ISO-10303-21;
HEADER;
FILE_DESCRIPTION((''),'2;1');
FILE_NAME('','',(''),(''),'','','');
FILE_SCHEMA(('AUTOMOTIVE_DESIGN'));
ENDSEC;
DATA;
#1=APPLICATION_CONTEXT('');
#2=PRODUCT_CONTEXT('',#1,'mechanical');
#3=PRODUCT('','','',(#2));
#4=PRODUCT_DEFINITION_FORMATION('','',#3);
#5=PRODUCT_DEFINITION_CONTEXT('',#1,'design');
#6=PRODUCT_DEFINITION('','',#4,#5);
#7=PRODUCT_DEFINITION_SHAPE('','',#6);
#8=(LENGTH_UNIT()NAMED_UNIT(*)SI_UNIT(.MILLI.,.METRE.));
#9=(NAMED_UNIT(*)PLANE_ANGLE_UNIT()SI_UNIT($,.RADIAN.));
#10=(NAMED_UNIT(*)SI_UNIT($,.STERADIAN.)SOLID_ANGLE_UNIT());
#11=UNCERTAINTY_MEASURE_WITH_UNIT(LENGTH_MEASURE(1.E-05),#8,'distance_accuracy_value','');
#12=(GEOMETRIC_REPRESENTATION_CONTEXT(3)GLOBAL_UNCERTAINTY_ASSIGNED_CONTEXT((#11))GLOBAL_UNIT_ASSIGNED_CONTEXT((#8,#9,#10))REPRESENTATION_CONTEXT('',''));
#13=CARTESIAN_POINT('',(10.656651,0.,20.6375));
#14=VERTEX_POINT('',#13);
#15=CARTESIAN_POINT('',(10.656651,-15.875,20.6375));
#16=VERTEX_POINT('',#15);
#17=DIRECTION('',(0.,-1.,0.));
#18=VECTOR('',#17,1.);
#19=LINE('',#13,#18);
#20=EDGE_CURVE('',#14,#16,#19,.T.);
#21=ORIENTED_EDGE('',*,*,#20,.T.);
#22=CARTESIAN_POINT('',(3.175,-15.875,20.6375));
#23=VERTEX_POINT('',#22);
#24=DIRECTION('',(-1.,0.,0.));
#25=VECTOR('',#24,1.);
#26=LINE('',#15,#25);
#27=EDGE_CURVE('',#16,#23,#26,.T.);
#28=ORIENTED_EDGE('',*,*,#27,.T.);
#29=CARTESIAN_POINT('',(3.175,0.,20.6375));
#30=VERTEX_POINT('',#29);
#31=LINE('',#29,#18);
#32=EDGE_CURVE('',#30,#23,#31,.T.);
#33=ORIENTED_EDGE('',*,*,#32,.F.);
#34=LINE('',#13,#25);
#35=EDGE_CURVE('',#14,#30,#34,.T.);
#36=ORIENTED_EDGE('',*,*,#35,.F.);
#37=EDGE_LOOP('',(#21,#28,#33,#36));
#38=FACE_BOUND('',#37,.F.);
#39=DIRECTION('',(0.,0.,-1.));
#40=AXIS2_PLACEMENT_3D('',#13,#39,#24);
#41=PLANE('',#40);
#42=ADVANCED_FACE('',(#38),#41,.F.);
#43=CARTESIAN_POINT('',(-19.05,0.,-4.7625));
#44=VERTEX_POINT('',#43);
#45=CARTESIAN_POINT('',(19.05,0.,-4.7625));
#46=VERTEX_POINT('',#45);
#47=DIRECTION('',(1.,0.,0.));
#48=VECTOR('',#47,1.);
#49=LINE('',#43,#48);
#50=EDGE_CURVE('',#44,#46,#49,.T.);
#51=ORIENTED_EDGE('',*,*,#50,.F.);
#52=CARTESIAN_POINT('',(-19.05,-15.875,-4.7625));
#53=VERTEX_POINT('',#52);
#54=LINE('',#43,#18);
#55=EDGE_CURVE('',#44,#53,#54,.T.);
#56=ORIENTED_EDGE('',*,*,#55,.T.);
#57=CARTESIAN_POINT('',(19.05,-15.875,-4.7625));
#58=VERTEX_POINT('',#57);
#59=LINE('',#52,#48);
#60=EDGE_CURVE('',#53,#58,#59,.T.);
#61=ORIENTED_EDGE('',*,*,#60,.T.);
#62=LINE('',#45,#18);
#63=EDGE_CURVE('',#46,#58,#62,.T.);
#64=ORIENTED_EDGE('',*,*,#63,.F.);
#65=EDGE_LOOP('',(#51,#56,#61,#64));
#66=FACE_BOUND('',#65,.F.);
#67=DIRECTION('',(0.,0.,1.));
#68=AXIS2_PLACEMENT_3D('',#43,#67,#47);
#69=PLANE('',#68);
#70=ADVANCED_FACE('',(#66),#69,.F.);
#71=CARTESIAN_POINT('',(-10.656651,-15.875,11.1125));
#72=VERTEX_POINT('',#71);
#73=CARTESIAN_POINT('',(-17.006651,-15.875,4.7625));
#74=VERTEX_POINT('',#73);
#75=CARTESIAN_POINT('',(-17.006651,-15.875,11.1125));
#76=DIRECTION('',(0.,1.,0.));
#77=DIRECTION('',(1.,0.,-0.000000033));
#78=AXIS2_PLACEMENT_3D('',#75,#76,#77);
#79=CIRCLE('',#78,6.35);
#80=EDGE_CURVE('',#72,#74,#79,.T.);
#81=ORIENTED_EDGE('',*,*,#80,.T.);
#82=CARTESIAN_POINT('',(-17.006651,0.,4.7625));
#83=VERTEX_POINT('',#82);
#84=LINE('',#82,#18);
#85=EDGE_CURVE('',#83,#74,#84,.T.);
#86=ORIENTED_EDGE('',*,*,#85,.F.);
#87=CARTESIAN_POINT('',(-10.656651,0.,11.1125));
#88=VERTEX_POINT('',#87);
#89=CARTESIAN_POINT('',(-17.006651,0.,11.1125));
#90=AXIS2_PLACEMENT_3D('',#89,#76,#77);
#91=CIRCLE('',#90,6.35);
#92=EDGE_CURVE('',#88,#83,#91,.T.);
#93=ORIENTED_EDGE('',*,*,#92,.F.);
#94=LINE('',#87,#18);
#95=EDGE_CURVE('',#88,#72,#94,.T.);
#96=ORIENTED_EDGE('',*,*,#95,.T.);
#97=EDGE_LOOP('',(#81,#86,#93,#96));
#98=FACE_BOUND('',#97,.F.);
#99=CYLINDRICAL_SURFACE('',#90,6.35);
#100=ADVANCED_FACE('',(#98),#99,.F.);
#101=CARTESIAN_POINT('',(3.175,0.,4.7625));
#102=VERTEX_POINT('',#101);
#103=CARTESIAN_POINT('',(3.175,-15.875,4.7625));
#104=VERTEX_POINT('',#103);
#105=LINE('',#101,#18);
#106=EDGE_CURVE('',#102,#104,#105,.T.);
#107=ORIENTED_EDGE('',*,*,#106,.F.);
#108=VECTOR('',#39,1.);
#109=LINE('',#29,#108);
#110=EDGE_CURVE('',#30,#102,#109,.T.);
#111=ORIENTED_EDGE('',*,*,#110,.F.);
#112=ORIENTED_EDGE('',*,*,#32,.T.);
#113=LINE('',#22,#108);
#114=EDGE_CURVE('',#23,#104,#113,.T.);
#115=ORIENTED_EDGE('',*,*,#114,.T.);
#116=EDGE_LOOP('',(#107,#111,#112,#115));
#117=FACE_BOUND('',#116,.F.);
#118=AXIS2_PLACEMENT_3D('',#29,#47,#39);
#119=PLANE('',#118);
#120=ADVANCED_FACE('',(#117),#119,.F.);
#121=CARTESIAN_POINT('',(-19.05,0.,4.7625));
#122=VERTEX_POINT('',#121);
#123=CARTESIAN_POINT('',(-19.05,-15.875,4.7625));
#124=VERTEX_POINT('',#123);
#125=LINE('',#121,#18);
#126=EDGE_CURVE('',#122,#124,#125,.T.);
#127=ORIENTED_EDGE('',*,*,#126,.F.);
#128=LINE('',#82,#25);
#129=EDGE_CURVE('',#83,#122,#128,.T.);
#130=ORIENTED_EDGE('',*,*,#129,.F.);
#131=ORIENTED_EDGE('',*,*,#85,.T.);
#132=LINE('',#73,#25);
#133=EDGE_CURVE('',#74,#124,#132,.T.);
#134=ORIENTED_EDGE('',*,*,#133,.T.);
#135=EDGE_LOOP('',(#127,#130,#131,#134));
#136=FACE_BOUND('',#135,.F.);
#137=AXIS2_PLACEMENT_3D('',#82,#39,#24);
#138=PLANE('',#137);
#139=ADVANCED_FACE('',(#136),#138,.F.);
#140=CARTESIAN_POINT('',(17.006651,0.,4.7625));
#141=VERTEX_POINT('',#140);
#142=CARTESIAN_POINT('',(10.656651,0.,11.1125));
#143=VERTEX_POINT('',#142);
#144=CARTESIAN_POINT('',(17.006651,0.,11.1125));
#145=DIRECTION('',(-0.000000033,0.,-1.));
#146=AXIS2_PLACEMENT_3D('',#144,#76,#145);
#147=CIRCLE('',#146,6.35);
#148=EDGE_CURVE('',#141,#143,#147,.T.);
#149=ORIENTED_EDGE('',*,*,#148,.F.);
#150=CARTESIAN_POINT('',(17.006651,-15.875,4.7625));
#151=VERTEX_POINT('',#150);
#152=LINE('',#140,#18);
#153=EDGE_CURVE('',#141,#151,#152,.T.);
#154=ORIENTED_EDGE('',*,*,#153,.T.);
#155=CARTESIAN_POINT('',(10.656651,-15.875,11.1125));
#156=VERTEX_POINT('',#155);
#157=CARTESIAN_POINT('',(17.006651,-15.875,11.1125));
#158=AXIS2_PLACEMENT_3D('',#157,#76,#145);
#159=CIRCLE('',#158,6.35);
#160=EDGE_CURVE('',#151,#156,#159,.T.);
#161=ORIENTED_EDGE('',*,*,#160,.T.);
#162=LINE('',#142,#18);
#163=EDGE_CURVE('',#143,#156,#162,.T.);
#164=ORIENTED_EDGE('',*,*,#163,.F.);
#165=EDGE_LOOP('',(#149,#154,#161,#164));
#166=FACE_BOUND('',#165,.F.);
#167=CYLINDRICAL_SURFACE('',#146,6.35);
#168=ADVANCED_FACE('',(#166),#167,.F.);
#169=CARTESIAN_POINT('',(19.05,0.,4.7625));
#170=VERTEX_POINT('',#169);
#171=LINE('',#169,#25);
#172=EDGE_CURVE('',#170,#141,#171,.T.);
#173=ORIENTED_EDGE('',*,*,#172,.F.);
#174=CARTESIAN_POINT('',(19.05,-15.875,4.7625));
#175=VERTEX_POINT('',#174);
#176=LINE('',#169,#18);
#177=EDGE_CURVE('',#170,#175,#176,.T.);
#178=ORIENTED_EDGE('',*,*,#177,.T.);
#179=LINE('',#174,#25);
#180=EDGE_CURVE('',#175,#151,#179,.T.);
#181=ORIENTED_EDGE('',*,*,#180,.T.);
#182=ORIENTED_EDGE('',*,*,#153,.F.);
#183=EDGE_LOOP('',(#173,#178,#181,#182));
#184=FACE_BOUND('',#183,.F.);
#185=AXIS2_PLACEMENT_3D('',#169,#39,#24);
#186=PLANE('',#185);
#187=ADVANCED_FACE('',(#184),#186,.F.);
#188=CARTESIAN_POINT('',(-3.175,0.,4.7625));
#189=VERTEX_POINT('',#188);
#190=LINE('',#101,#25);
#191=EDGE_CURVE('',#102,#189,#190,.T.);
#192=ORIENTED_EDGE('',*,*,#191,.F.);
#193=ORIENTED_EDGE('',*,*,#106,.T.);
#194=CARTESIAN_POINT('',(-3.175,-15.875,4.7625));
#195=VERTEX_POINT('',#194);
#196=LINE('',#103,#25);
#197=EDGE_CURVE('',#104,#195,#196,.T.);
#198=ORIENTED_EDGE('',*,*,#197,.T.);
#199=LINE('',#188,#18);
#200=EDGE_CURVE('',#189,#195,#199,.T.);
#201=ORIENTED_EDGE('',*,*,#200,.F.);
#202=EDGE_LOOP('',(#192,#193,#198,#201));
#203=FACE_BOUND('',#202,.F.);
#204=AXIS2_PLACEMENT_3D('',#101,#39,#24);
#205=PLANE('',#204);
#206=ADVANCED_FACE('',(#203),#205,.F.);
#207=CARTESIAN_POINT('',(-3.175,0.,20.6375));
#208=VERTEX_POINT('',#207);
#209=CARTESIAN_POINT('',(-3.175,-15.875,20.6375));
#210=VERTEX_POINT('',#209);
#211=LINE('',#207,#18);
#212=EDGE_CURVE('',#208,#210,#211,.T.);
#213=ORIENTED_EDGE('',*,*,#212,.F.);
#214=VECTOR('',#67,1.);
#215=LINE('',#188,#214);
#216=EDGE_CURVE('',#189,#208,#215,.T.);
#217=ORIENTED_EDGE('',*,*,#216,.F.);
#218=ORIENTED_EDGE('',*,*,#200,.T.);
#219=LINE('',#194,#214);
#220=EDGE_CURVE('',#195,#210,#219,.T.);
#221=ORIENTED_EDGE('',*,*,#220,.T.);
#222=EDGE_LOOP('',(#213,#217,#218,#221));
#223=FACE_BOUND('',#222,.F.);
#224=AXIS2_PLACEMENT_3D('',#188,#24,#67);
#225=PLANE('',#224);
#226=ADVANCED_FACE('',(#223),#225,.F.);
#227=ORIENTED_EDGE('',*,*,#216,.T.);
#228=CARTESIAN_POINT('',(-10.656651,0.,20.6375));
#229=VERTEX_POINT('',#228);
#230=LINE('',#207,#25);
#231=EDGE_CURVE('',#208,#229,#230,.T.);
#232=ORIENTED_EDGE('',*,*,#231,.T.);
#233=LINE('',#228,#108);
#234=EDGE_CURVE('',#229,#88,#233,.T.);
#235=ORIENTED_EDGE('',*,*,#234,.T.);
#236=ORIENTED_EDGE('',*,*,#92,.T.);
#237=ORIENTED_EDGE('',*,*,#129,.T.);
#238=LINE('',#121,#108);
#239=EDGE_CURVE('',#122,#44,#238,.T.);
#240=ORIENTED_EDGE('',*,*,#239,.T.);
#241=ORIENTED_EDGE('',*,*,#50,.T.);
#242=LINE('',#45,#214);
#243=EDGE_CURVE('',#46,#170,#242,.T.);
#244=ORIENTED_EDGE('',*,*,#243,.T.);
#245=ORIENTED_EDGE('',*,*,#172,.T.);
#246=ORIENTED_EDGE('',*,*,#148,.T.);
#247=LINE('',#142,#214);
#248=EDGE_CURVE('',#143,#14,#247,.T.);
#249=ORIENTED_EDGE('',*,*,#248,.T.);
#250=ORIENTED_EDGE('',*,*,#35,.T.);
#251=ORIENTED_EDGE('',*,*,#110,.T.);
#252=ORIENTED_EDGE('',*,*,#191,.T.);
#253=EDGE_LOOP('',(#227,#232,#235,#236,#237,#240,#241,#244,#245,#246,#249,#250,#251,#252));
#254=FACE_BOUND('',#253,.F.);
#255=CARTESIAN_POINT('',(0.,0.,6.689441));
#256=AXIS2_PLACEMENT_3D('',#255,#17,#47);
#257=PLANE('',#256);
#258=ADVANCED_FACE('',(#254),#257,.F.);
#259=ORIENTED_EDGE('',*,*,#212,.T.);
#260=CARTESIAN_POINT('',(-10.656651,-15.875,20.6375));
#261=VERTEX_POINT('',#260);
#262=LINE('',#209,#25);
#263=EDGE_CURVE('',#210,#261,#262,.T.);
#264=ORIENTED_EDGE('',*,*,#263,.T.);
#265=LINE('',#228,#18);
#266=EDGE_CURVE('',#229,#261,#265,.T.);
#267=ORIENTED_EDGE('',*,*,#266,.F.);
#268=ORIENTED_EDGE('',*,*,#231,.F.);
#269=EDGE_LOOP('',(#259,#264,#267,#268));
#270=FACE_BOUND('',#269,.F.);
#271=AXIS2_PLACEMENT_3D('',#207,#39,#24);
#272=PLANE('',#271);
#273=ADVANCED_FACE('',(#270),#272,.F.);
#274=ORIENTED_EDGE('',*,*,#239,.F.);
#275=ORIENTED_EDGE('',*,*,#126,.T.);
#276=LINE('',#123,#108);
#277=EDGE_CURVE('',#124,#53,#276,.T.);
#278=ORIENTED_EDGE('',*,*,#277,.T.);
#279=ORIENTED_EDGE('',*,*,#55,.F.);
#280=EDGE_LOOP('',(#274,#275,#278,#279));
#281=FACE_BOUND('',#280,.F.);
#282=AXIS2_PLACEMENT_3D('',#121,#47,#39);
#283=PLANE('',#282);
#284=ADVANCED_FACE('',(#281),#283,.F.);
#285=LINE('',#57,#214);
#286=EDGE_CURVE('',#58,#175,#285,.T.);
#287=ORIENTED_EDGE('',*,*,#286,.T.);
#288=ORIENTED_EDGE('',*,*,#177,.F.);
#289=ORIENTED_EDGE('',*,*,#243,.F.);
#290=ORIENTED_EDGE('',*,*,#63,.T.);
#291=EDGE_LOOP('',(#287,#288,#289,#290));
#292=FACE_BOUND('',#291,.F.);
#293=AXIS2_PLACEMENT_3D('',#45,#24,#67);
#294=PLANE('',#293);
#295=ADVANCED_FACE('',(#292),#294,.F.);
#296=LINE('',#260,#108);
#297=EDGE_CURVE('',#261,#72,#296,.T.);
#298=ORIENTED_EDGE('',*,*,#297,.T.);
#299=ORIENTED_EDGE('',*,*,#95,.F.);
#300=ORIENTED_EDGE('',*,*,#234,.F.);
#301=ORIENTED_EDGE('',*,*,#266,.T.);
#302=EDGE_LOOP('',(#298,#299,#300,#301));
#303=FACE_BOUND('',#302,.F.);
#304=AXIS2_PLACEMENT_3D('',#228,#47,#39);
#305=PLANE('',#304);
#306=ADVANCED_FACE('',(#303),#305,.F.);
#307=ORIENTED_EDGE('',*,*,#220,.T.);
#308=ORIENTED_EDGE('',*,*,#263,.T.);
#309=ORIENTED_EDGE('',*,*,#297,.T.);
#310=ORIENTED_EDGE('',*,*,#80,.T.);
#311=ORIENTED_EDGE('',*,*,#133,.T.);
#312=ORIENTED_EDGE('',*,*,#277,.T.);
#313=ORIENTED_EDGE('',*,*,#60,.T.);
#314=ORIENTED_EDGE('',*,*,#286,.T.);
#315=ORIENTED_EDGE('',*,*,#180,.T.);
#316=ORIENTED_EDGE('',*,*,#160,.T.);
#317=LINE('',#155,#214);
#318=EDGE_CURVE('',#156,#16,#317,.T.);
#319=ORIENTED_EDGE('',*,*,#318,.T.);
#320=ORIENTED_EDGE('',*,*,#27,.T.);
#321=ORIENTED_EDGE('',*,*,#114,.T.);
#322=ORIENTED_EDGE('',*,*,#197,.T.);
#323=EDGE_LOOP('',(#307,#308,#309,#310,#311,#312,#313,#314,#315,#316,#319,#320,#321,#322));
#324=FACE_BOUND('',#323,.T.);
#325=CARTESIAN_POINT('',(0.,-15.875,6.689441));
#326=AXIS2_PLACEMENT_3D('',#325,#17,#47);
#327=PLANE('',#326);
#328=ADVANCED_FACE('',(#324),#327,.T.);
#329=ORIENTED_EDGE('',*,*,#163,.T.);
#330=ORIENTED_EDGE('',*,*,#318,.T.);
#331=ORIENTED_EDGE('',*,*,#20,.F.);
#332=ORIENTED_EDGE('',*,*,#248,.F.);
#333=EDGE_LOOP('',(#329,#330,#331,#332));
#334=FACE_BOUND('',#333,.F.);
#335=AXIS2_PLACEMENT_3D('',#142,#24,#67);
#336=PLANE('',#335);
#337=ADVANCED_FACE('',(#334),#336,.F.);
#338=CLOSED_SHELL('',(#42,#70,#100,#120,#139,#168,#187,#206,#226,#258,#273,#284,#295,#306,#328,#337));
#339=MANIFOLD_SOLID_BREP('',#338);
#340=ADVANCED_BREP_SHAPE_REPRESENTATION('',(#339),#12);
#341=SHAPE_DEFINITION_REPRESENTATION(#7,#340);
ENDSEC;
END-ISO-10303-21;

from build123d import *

# Parameters (mm, degrees)
F1_DEPTH = 15.875


with BuildPart() as f1:
    # F0 (on Front) → F1 (new body)
    with BuildSketch(Plane.XZ):
        with BuildLine():
            Line((-17.006651, 4.7625), (-19.05, 4.7625))
            Line((-19.05, 4.7625), (-19.05, -4.7625))
            Line((-19.05, -4.7625), (19.05, -4.7625))
            Line((19.05, -4.7625), (19.05, 4.7625))
            Line((19.05, 4.7625), (17.006651, 4.7625))
            ThreePointArc((17.006651, 4.7625), (12.516523, 6.622372), (10.656651, 11.1125))
            Line((10.656651, 11.1125), (10.656651, 20.6375))
            Line((10.656651, 20.6375), (3.175, 20.6375))
            Line((3.175, 20.6375), (3.175, 4.7625))
            Line((3.175, 4.7625), (-3.175, 4.7625))
            Line((-3.175, 4.7625), (-3.175, 20.6375))
            Line((-3.175, 20.6375), (-10.656651, 20.6375))
            Line((-10.656651, 20.6375), (-10.656651, 11.1125))
            ThreePointArc((-10.656651, 11.1125), (-12.516523, 6.622372), (-17.006651, 4.7625))
        make_face()
    extrude(amount=F1_DEPTH)


solid = f1.part
